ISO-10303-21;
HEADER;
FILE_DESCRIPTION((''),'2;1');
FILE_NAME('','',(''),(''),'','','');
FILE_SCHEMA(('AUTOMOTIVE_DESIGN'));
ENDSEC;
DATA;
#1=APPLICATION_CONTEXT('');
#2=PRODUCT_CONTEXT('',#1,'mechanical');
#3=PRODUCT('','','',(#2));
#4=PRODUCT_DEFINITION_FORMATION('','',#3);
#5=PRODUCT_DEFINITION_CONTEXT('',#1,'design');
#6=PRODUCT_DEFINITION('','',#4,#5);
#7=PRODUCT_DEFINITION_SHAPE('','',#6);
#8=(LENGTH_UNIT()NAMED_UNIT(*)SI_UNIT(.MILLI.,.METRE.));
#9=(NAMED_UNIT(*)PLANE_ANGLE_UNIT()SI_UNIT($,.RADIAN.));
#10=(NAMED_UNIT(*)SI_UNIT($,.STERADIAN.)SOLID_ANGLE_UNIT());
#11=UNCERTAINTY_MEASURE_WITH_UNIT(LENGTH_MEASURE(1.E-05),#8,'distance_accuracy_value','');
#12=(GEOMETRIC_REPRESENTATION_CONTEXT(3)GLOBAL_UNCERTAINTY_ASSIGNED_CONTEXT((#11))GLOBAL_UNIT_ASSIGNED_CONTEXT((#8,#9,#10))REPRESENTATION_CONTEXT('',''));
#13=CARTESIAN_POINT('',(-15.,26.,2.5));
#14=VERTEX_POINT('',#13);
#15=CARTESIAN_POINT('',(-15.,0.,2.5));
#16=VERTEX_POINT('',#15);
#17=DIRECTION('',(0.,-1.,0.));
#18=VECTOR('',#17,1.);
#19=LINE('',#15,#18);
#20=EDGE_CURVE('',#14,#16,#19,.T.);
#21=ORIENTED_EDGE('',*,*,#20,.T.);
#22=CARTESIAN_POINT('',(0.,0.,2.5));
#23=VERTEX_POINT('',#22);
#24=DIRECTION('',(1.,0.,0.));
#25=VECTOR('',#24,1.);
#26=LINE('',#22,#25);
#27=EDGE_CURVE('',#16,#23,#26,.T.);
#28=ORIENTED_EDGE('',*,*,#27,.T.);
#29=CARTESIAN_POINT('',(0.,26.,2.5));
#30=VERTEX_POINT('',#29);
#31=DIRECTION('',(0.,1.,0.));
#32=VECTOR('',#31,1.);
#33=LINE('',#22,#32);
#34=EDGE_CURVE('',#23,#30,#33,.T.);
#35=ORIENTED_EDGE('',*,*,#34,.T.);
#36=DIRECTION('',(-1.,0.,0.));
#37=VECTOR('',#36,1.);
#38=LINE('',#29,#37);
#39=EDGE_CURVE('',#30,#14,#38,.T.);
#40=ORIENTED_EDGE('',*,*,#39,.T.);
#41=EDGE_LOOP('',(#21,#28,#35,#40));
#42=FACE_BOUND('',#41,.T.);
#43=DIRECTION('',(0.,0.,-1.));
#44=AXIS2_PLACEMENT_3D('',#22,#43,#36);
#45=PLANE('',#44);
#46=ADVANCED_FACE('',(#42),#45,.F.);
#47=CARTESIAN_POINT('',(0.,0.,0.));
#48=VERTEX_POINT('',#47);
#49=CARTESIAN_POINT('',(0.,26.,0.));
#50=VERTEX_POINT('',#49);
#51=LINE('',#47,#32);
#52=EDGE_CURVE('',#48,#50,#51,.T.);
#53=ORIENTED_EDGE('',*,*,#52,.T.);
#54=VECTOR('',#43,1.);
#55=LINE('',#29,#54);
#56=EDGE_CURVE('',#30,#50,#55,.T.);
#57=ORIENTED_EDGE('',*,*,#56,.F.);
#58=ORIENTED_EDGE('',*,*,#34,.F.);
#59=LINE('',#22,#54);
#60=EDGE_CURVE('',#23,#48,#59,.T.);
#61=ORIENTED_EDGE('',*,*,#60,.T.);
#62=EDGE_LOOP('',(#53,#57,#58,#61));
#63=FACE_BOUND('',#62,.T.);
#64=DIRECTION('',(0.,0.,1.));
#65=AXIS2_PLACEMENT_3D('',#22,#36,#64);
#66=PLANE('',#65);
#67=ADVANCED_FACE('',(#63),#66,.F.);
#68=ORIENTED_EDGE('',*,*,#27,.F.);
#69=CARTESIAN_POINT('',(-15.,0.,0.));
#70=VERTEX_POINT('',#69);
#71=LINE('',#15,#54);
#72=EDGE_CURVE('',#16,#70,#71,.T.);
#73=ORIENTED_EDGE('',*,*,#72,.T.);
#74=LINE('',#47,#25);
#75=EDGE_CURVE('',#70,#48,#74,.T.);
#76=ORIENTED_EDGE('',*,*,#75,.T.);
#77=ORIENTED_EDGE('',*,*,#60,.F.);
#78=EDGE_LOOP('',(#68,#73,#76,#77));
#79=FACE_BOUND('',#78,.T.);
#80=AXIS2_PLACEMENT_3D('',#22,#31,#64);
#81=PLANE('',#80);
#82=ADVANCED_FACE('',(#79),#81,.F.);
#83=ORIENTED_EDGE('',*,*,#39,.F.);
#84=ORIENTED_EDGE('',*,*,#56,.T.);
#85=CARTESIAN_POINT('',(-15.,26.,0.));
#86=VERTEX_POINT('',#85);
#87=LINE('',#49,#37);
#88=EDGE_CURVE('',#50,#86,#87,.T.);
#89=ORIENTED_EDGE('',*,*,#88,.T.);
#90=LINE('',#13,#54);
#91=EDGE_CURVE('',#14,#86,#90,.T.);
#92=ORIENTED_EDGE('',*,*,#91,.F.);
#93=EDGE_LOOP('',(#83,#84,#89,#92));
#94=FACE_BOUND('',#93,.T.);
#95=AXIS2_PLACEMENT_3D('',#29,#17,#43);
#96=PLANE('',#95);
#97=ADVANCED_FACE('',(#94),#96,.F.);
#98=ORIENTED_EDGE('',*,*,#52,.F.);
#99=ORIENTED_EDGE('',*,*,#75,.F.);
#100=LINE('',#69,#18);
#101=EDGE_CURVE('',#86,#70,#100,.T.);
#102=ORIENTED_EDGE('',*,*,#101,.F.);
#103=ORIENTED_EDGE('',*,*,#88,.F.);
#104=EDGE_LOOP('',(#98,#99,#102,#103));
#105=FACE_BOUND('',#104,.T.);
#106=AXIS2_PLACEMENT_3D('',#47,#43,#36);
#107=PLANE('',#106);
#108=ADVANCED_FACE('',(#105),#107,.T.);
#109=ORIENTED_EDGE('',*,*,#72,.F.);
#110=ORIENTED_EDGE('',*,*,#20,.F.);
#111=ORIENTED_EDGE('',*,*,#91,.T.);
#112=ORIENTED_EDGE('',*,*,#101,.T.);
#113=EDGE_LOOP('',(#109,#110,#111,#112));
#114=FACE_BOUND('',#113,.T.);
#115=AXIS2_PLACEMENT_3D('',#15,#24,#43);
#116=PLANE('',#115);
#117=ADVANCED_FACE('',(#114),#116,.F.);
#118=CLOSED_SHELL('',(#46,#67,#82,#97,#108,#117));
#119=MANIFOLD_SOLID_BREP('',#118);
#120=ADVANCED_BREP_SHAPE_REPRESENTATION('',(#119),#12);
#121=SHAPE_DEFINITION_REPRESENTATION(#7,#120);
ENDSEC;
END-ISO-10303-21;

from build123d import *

# Parameters (mm, degrees)
SKETCH1_W           = 26
SKETCH1_H           = 15
BOSS_EXTRUDE1_DEPTH = 2.5


with BuildPart() as part:
    # Sketch1 → Boss-Extrude1 (new body)
    with BuildSketch(Plane(origin=(0, 0, 0), x_dir=(0, 1, 0), z_dir=(0, 0, 1))):
        with Locations((13, 7.5)):
            Rectangle(SKETCH1_W, SKETCH1_H)
    extrude(amount=BOSS_EXTRUDE1_DEPTH)


solid = part.part
